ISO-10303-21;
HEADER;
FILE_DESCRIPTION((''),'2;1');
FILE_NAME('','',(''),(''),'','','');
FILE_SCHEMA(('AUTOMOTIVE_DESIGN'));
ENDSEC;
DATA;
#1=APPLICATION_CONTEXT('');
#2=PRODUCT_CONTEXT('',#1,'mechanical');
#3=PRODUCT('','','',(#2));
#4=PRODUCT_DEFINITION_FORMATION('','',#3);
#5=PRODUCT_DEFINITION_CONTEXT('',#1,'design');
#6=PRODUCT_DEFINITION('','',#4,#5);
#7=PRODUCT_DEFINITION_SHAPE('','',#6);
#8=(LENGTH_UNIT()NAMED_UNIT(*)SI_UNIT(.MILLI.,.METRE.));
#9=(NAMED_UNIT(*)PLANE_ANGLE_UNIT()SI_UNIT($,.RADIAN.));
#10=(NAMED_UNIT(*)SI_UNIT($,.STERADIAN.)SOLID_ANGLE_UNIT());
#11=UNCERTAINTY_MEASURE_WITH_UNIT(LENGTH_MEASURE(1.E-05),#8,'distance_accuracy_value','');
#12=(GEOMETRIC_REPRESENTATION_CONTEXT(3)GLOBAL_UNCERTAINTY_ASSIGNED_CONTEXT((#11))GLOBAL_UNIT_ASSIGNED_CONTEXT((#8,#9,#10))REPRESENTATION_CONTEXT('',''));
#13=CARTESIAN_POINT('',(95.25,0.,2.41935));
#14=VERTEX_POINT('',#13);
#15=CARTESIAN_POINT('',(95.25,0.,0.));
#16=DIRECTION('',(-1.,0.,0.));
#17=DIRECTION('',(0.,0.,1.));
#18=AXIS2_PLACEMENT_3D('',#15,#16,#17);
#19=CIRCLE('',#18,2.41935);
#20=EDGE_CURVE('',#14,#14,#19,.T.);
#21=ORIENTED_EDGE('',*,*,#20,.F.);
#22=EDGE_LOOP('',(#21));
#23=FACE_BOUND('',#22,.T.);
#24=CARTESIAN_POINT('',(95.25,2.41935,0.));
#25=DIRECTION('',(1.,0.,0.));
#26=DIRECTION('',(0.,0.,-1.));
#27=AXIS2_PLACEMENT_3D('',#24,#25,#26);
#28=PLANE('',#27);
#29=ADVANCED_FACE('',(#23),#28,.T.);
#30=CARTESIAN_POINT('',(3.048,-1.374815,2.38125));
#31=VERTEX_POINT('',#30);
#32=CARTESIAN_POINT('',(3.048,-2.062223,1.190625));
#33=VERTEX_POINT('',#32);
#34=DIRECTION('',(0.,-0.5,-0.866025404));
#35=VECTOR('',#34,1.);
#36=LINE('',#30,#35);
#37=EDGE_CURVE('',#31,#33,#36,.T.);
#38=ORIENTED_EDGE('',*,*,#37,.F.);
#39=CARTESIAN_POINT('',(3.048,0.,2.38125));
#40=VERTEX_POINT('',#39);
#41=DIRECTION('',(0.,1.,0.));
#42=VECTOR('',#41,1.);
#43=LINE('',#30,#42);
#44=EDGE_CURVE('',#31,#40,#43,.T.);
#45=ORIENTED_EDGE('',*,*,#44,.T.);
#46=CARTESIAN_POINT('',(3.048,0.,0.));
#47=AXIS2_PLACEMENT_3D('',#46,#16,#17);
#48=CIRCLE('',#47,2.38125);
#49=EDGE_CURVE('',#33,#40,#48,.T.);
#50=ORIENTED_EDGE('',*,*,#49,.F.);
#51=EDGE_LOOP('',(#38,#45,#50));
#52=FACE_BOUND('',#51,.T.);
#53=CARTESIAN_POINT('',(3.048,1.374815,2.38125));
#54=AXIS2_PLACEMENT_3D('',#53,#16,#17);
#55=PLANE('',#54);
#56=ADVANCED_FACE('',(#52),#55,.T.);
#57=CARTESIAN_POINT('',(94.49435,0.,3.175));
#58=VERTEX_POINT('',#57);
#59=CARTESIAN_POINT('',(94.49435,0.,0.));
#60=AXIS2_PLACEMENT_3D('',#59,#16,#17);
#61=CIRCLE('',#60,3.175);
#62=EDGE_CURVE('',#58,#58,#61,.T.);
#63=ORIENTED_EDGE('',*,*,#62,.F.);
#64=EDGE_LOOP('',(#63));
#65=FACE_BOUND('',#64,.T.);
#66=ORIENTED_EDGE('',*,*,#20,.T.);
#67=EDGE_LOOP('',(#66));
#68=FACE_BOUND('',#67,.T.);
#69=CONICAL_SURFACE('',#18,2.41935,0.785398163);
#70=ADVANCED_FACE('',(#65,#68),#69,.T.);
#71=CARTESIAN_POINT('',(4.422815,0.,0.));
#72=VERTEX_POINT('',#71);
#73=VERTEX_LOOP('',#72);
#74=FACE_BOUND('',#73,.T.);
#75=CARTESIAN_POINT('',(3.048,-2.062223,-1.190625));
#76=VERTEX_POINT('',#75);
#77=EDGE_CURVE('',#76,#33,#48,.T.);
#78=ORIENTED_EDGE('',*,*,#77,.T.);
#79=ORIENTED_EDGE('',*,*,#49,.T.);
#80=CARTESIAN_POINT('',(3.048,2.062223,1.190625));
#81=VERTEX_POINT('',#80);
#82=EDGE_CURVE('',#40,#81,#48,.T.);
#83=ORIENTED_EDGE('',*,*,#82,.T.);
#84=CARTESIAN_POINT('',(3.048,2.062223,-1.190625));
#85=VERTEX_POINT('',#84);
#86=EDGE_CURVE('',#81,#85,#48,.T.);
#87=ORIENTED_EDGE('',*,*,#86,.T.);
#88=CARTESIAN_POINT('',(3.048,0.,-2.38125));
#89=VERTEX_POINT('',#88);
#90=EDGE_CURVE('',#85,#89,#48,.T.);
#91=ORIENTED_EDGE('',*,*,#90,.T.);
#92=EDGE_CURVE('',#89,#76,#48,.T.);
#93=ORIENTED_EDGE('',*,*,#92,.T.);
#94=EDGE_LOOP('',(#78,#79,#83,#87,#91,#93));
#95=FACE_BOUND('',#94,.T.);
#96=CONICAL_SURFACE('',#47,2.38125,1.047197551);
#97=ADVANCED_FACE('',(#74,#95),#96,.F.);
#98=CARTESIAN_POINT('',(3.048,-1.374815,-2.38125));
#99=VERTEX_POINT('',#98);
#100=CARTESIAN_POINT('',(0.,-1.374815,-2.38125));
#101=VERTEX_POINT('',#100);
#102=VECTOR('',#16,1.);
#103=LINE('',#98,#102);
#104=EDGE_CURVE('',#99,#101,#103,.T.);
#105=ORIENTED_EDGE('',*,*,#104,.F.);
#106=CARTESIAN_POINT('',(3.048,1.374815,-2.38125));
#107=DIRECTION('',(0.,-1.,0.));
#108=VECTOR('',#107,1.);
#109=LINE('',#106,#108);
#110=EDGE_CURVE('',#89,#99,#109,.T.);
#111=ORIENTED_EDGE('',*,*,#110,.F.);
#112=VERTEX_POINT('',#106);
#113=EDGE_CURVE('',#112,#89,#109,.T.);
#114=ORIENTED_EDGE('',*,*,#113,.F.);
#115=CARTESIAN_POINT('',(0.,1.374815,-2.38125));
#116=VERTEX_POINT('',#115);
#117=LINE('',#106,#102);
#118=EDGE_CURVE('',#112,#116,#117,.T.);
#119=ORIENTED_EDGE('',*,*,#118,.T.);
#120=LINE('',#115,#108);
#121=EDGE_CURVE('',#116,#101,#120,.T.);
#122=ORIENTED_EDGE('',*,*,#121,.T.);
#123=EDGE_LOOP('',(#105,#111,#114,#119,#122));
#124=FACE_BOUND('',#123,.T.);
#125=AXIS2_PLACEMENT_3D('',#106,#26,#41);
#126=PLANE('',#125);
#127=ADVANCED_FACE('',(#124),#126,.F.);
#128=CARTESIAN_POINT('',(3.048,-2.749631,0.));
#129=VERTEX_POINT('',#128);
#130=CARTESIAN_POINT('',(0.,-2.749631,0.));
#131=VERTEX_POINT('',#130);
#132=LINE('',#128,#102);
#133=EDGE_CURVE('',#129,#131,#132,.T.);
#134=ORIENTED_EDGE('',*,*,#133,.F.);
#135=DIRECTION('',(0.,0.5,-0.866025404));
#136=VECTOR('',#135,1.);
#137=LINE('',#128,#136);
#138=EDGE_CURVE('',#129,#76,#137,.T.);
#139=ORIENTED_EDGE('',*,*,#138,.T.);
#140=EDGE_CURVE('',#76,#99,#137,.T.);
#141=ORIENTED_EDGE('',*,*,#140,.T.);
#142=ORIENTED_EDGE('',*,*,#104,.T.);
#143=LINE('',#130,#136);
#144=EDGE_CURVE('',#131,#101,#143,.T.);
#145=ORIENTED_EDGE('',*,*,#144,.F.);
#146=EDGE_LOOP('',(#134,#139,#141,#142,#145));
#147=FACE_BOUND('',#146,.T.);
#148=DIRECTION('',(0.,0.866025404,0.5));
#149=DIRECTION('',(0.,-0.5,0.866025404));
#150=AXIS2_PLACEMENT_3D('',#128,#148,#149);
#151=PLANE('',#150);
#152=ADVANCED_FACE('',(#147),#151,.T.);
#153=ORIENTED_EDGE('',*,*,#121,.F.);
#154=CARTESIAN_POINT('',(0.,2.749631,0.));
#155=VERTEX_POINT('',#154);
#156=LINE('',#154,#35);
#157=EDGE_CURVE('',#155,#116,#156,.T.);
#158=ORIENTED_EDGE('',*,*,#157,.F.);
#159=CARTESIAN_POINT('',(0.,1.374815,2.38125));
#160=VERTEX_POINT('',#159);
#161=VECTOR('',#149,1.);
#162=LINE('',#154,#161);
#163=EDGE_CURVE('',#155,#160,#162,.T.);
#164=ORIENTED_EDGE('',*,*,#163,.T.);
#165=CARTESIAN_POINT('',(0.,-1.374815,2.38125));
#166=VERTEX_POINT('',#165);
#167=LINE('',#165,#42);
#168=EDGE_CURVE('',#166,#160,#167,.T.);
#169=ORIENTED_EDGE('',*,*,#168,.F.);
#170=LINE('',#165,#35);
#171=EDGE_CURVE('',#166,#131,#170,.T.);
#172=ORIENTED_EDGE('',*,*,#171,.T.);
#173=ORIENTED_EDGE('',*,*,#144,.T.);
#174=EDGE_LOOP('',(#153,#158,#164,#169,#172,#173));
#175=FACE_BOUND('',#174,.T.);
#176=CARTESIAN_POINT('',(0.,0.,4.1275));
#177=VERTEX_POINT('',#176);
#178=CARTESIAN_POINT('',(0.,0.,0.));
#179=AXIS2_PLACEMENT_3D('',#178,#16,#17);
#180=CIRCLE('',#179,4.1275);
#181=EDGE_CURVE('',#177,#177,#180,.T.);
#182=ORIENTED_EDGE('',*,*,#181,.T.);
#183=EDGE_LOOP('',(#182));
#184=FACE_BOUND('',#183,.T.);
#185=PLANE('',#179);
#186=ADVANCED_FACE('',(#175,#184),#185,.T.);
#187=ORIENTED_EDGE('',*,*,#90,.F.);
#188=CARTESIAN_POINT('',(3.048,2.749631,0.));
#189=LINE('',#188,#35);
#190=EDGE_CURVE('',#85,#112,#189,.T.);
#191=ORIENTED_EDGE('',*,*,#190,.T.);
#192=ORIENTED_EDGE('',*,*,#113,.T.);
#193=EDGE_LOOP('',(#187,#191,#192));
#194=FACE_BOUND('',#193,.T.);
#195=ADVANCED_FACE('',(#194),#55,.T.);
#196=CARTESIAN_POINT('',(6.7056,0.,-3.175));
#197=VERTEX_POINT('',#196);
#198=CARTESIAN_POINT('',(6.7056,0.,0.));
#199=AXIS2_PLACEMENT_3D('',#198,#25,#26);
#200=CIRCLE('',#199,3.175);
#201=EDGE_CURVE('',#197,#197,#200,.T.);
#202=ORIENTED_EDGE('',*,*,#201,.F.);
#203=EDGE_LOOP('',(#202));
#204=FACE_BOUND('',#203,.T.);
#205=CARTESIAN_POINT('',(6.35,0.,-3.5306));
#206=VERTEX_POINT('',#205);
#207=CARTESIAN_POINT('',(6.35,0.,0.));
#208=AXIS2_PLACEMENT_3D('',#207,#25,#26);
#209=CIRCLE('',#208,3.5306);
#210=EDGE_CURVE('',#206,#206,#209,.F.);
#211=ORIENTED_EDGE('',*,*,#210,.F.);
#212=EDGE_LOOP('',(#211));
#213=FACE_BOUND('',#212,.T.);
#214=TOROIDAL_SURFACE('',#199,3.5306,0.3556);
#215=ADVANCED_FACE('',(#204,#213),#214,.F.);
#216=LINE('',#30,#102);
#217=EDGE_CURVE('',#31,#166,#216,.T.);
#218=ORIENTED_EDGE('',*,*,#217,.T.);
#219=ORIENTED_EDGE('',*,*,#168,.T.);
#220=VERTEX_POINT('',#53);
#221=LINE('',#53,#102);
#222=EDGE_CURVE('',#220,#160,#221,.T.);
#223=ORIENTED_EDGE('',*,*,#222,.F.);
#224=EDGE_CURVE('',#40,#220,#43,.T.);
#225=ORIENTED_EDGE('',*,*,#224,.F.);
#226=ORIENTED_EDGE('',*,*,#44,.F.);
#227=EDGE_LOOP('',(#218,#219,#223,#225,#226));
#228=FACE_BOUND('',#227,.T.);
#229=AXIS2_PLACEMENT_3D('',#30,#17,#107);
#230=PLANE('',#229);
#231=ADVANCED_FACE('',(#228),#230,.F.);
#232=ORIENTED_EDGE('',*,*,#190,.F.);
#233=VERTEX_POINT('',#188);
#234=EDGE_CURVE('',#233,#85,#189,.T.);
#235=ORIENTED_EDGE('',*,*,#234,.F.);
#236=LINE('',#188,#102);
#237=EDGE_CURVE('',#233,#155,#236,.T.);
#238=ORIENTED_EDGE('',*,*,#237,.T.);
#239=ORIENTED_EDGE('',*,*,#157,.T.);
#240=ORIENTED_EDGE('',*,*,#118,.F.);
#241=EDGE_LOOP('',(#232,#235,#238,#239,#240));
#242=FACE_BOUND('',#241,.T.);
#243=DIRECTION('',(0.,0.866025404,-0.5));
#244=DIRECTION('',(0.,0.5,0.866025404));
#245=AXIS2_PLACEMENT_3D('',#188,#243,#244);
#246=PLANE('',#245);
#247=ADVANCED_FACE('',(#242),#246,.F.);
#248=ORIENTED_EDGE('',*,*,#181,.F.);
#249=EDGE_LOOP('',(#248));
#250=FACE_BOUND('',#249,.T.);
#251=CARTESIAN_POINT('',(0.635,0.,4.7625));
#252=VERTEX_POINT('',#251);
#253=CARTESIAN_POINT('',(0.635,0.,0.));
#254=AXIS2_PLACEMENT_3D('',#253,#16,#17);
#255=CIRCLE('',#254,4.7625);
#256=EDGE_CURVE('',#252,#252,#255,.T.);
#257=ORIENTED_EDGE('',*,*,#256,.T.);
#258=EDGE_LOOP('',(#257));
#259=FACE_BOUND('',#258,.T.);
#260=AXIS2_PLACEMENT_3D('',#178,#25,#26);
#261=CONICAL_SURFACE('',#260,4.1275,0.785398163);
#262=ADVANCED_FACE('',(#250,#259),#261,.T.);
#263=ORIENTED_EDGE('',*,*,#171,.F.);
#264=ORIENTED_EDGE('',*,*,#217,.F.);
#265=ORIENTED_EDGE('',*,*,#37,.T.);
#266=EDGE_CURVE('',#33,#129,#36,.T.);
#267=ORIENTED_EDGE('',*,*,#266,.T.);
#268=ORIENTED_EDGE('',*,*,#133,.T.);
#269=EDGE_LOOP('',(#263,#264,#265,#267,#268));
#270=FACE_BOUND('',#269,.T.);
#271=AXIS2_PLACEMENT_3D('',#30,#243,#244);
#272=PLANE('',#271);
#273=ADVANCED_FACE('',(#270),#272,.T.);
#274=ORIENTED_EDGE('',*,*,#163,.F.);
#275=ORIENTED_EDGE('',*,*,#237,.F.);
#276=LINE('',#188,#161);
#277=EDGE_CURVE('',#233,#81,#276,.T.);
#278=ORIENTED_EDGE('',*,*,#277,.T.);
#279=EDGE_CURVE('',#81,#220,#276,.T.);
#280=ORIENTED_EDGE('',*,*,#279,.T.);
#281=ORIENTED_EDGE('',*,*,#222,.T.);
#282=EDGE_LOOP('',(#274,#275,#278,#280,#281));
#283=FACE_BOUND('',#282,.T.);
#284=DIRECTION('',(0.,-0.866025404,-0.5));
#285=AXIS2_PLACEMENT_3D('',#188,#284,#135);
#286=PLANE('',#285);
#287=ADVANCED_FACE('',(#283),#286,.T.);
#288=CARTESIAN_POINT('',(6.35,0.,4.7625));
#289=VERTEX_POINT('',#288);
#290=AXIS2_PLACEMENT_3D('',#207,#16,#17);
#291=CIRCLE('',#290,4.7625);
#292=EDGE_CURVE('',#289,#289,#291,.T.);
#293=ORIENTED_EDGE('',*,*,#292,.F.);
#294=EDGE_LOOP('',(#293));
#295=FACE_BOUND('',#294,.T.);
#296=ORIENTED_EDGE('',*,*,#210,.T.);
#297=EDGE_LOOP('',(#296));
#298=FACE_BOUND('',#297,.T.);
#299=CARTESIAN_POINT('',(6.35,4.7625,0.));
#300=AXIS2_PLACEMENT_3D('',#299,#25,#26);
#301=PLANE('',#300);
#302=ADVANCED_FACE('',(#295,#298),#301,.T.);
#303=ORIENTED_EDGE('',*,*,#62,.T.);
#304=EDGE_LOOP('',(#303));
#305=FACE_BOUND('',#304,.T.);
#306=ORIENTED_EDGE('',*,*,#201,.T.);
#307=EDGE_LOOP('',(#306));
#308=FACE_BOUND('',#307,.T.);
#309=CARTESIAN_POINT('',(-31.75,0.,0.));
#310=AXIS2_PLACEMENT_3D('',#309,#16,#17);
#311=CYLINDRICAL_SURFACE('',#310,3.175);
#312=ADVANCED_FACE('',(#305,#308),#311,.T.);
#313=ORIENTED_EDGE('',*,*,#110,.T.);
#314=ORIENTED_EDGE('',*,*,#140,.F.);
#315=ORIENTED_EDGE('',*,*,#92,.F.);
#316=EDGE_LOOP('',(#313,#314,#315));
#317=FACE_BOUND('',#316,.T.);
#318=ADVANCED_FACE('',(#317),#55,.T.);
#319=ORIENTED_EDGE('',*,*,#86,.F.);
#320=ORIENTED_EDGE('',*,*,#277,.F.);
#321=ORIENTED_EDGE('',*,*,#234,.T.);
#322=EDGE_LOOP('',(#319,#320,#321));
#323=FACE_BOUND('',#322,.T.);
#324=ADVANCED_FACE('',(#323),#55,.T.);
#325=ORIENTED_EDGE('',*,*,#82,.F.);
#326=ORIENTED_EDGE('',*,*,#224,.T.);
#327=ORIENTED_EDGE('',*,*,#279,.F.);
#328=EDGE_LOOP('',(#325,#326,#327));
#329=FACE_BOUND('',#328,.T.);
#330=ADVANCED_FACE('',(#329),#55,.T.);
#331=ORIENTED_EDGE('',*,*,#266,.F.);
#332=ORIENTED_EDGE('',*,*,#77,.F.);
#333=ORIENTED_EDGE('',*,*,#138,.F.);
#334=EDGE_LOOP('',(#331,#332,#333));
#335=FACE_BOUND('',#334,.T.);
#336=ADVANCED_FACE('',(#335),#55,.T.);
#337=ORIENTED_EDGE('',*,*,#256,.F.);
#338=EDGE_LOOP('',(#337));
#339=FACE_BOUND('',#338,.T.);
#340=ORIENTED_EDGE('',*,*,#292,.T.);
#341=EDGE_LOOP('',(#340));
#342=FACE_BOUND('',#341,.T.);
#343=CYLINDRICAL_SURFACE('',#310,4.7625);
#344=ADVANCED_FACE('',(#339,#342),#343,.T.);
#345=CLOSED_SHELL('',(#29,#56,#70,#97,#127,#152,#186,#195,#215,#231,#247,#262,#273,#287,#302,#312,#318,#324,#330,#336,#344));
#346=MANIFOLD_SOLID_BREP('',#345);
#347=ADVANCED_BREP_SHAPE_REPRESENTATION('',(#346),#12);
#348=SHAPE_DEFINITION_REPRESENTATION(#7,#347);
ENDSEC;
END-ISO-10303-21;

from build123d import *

# Parameters (mm, degrees)
FILLET1_R   = 0.3556
HEX_2_DEPTH = 3.048


with BuildPart() as part:
    # BodySke → Base-Revolve (revolve)
    with BuildSketch(Plane.XY):
        Polygon((0, 0), (0, 4.1275), (0.635, 4.7625), (6.35, 4.7625), (6.35, 3.175), (94.49435, 3.175), (95.25, 2.41935), (95.25, 0), align=None)
    revolve(axis=Axis((-31.75, 0, 0), (1, 0, 0)))

    # Fillet1
    fillet1_edges = [part.edges().sort_by_distance(p)[0] for p in [
        (6.35, -3.175, 0),
    ]]
    fillet(fillet1_edges, radius=FILLET1_R)

    # Sketch2 → Hex-PreBroach (revolve, cut)
    with BuildSketch(Plane.XY):
        Polygon((0, 2.38125), (3.048, 2.38125), (4.422815329, 0), (0, 0), align=None)
    revolve(axis=Axis((0, 0, 0), (1, 0, 0)), mode=Mode.SUBTRACT)

    # Sketch3 → Hex 2 (cut)
    with BuildSketch(Plane(origin=(0, 0, 0), x_dir=(0, 0.5, 0.866025404), z_dir=(-1, 0, 0))):
        Polygon((1.374815329, 2.38125), (-1.374815329, 2.38125), (-2.749630657, 0), (-1.374815329, -2.38125), (1.374815329, -2.38125), (2.749630657, 0), align=None)
    extrude(amount=-HEX_2_DEPTH, mode=Mode.SUBTRACT)


solid = part.part
